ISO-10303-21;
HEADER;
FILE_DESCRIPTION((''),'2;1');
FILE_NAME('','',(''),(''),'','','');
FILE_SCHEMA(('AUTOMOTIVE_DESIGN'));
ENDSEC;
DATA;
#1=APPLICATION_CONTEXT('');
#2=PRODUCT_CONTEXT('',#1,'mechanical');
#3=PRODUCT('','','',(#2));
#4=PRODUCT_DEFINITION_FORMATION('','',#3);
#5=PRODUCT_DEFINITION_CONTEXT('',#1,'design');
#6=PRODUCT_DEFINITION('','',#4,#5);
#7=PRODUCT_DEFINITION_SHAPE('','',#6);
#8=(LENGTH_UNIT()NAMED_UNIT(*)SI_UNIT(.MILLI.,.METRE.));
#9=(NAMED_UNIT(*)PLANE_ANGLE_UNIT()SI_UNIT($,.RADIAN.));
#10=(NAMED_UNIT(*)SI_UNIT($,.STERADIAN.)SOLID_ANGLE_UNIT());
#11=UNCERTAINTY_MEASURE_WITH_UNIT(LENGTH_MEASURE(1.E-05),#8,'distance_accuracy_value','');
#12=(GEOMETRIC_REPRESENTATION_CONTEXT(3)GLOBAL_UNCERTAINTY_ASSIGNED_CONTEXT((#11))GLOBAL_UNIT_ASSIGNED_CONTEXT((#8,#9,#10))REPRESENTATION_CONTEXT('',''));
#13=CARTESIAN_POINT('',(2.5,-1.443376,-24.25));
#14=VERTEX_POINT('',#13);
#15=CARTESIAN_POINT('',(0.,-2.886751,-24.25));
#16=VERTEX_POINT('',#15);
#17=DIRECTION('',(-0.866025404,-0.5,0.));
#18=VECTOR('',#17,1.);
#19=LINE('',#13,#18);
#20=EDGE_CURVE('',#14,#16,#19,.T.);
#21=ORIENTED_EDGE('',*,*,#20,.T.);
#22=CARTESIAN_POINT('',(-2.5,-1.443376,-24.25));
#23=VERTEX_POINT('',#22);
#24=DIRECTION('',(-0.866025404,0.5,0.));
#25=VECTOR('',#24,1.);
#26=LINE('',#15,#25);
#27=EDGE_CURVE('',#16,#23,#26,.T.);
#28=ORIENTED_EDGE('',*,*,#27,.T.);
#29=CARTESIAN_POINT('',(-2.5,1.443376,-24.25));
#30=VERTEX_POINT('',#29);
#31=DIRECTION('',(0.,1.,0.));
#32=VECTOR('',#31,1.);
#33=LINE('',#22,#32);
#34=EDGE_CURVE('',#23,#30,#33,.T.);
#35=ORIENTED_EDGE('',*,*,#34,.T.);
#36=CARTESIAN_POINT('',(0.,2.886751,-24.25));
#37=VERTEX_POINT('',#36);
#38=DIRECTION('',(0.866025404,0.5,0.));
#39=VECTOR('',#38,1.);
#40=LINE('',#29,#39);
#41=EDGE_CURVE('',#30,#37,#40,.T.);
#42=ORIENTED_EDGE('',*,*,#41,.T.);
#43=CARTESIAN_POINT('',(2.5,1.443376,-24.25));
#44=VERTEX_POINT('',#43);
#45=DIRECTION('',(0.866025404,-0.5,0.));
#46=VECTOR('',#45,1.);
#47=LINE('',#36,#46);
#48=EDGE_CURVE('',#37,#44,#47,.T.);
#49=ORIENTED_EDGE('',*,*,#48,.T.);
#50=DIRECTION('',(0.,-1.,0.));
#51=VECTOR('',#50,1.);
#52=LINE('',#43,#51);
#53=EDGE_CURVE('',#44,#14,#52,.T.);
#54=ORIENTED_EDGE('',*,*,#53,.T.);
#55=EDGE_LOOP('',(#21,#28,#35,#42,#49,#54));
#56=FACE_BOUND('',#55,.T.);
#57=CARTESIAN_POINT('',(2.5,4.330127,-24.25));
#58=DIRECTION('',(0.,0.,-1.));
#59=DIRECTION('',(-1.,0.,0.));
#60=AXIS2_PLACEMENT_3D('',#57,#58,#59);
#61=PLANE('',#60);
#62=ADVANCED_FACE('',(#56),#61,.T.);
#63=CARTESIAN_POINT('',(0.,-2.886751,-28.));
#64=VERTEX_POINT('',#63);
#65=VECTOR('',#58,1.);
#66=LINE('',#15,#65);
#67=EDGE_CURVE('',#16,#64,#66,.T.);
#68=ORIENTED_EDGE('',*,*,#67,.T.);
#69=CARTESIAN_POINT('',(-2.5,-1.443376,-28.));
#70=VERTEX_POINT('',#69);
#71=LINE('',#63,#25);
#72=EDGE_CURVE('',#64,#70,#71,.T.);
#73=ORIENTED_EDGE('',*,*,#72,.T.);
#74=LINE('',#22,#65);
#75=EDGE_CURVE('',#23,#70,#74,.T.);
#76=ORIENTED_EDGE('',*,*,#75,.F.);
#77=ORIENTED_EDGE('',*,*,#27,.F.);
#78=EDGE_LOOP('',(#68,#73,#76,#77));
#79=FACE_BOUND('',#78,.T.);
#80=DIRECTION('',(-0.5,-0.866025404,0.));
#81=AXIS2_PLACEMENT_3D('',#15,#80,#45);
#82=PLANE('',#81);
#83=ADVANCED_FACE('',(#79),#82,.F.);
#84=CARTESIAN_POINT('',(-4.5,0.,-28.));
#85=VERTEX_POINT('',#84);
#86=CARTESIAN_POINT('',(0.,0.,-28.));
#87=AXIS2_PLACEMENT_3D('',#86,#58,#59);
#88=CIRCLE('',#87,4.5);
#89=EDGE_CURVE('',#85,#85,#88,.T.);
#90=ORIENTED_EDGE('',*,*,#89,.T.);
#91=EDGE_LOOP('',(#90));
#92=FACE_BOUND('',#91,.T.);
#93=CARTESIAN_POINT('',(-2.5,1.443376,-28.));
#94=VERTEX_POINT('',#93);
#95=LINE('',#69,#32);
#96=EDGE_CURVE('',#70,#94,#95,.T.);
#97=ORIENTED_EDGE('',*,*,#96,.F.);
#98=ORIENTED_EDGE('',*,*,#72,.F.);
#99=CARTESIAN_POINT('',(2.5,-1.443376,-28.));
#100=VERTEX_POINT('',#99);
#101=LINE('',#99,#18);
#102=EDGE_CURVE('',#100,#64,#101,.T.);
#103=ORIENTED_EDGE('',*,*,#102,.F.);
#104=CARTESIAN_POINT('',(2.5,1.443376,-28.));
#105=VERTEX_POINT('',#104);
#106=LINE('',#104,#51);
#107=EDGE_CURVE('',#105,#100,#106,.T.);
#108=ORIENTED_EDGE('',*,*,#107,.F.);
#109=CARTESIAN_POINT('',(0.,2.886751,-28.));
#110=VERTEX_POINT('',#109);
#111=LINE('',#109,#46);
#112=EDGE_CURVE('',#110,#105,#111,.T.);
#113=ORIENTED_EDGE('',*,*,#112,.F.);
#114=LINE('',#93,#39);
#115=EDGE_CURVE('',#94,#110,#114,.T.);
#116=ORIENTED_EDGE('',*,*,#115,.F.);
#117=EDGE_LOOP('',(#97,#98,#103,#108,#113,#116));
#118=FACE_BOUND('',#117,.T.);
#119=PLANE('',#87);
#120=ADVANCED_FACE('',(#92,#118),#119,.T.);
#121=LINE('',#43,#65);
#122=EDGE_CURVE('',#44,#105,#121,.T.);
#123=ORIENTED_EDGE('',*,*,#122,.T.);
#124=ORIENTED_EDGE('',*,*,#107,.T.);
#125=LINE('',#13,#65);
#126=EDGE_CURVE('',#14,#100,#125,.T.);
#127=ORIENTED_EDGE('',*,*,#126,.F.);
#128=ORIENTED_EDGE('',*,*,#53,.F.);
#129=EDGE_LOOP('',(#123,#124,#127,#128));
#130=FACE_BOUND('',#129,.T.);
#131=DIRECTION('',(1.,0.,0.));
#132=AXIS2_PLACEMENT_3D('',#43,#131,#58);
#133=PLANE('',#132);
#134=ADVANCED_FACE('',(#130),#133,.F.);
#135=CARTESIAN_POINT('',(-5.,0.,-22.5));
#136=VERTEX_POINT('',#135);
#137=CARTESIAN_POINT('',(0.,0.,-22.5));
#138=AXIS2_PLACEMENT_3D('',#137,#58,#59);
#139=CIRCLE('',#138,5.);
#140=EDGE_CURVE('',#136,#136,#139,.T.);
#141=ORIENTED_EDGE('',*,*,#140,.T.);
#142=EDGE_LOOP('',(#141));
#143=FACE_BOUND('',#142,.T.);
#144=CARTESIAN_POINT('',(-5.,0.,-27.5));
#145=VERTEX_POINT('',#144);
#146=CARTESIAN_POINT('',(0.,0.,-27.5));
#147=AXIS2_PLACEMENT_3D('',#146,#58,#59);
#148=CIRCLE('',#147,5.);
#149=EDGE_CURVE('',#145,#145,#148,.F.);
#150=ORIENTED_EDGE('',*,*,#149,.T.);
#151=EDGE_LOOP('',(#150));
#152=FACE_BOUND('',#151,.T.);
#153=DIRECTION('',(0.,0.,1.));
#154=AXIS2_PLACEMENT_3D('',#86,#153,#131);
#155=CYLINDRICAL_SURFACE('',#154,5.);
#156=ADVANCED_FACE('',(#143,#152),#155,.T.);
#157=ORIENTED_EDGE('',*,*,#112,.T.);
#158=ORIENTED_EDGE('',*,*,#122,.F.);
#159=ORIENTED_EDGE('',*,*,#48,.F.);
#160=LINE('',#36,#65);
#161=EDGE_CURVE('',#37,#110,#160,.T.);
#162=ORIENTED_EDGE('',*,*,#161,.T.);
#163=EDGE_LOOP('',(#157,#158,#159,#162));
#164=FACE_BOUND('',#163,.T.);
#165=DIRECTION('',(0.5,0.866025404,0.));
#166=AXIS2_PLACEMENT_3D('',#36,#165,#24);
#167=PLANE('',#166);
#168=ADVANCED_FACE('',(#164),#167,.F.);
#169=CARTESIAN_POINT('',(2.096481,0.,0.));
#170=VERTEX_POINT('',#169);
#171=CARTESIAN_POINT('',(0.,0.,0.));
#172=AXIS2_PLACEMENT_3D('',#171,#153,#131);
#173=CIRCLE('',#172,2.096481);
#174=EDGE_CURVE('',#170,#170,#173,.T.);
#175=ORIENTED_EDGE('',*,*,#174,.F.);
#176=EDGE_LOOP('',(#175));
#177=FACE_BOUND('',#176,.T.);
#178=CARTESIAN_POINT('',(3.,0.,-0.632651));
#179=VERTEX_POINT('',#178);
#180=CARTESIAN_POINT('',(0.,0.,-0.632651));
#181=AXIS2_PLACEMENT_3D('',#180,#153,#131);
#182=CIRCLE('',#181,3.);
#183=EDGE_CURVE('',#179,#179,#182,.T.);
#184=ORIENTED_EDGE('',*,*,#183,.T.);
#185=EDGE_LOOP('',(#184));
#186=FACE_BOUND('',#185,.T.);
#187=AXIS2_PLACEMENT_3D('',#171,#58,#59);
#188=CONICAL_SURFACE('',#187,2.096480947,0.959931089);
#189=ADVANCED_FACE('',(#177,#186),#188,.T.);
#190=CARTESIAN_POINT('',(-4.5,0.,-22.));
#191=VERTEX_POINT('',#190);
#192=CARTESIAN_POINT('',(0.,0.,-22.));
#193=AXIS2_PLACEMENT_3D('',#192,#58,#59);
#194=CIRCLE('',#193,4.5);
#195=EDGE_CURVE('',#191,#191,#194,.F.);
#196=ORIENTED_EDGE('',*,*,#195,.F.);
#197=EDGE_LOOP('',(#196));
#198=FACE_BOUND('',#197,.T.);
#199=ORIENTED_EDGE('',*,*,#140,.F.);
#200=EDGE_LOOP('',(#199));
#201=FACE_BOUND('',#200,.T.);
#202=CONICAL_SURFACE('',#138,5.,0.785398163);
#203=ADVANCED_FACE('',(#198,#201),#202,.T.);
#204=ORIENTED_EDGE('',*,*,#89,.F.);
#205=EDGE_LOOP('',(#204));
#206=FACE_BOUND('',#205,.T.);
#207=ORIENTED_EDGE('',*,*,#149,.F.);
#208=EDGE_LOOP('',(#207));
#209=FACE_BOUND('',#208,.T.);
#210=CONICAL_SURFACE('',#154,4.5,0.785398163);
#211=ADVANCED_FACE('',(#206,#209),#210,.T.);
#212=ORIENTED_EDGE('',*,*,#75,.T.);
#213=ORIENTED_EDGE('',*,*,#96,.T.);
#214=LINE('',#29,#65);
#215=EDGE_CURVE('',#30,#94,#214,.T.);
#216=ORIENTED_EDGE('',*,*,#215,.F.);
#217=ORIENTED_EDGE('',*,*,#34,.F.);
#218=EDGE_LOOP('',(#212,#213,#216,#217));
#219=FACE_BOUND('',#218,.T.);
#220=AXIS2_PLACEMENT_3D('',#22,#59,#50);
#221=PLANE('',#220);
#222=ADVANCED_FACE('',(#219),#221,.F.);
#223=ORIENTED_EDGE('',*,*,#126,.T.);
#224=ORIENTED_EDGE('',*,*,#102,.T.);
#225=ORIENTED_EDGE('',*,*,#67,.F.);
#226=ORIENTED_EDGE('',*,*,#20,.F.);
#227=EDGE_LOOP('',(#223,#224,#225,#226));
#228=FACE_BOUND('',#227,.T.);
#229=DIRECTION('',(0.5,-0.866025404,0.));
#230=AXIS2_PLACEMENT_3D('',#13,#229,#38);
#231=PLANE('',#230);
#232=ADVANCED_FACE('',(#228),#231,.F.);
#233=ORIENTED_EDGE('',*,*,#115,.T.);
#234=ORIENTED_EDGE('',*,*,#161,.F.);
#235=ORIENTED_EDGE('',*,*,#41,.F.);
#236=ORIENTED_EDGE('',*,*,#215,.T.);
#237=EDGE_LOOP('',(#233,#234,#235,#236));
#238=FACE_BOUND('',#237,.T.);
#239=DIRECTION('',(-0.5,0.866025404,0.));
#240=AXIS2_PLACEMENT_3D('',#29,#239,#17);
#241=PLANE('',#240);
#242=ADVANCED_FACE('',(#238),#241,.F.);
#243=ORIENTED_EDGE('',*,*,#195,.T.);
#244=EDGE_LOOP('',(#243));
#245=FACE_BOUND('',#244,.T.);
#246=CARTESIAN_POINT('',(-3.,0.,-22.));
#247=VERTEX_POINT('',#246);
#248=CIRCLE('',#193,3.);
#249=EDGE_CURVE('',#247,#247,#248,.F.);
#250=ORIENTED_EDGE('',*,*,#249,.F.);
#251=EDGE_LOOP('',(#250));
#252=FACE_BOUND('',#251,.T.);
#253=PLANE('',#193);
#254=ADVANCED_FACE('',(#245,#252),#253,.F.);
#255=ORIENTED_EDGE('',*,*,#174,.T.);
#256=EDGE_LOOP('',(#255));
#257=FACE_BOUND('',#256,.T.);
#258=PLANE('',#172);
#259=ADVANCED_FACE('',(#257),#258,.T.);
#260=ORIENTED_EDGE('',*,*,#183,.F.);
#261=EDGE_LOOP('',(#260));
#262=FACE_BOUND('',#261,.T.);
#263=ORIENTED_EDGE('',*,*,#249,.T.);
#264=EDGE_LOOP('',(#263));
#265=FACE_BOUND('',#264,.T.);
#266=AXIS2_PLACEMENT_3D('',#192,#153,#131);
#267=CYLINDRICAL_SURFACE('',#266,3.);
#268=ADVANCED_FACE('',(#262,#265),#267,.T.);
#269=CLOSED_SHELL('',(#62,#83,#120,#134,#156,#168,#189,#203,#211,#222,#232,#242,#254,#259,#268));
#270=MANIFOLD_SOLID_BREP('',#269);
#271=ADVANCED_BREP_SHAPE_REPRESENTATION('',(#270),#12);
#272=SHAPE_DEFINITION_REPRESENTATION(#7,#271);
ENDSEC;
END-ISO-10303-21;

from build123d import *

# Parameters (mm, degrees)
SKETCH1_R          = 3
EXTRUDE1_DEPTH     = 22
SKETCH6_R          = 5
EXTRUDE2_DEPTH     = 6
CUT_EXTRUDE1_DEPTH = 3.75
CHAMFER1_SIZE      = 0.5


with BuildPart() as part:
    # Sketch1 → Extrude1 (new body)
    with BuildSketch(Plane.XY):
        Circle(SKETCH1_R)
    extrude(amount=-EXTRUDE1_DEPTH)

    # Sketch4 → Cut-Revolve1 (revolve, cut)
    with BuildSketch(Plane(origin=(0, 0, 0), x_dir=(0, 0, -1), z_dir=(1, 0, 0))):
        Polygon((0.632650852, 3), (0, 2.096480947), (0, 3), align=None)
    revolve(axis=Axis((0, 0, 0), (0, 0, -1)), mode=Mode.SUBTRACT)

    # Sketch6 → Extrude2 (add)
    with BuildSketch(Plane(origin=(0, 0, -22), x_dir=(-1, 0, 0), z_dir=(0, 0, -1))):
        Circle(SKETCH6_R)
    extrude(amount=EXTRUDE2_DEPTH)

    # Sketch7 → Cut-Extrude1 (cut)
    with BuildSketch(Plane(origin=(0, 0, -28), x_dir=(-1, 0, 0), z_dir=(0, 0, -1))):
        Polygon((0, 2.886751346), (-2.5, 1.443375673), (-2.5, -1.443375673), (0, -2.886751346), (2.5, -1.443375673), (2.5, 1.443375673), align=None)
    extrude(amount=-CUT_EXTRUDE1_DEPTH, mode=Mode.SUBTRACT)

    # Chamfer1
    chamfer1_edges = [part.edges().sort_by_distance(p)[0] for p in [
        (5, 0, -28),
        (5, 0, -22),
    ]]
    chamfer(chamfer1_edges, length=CHAMFER1_SIZE)


solid = part.part
